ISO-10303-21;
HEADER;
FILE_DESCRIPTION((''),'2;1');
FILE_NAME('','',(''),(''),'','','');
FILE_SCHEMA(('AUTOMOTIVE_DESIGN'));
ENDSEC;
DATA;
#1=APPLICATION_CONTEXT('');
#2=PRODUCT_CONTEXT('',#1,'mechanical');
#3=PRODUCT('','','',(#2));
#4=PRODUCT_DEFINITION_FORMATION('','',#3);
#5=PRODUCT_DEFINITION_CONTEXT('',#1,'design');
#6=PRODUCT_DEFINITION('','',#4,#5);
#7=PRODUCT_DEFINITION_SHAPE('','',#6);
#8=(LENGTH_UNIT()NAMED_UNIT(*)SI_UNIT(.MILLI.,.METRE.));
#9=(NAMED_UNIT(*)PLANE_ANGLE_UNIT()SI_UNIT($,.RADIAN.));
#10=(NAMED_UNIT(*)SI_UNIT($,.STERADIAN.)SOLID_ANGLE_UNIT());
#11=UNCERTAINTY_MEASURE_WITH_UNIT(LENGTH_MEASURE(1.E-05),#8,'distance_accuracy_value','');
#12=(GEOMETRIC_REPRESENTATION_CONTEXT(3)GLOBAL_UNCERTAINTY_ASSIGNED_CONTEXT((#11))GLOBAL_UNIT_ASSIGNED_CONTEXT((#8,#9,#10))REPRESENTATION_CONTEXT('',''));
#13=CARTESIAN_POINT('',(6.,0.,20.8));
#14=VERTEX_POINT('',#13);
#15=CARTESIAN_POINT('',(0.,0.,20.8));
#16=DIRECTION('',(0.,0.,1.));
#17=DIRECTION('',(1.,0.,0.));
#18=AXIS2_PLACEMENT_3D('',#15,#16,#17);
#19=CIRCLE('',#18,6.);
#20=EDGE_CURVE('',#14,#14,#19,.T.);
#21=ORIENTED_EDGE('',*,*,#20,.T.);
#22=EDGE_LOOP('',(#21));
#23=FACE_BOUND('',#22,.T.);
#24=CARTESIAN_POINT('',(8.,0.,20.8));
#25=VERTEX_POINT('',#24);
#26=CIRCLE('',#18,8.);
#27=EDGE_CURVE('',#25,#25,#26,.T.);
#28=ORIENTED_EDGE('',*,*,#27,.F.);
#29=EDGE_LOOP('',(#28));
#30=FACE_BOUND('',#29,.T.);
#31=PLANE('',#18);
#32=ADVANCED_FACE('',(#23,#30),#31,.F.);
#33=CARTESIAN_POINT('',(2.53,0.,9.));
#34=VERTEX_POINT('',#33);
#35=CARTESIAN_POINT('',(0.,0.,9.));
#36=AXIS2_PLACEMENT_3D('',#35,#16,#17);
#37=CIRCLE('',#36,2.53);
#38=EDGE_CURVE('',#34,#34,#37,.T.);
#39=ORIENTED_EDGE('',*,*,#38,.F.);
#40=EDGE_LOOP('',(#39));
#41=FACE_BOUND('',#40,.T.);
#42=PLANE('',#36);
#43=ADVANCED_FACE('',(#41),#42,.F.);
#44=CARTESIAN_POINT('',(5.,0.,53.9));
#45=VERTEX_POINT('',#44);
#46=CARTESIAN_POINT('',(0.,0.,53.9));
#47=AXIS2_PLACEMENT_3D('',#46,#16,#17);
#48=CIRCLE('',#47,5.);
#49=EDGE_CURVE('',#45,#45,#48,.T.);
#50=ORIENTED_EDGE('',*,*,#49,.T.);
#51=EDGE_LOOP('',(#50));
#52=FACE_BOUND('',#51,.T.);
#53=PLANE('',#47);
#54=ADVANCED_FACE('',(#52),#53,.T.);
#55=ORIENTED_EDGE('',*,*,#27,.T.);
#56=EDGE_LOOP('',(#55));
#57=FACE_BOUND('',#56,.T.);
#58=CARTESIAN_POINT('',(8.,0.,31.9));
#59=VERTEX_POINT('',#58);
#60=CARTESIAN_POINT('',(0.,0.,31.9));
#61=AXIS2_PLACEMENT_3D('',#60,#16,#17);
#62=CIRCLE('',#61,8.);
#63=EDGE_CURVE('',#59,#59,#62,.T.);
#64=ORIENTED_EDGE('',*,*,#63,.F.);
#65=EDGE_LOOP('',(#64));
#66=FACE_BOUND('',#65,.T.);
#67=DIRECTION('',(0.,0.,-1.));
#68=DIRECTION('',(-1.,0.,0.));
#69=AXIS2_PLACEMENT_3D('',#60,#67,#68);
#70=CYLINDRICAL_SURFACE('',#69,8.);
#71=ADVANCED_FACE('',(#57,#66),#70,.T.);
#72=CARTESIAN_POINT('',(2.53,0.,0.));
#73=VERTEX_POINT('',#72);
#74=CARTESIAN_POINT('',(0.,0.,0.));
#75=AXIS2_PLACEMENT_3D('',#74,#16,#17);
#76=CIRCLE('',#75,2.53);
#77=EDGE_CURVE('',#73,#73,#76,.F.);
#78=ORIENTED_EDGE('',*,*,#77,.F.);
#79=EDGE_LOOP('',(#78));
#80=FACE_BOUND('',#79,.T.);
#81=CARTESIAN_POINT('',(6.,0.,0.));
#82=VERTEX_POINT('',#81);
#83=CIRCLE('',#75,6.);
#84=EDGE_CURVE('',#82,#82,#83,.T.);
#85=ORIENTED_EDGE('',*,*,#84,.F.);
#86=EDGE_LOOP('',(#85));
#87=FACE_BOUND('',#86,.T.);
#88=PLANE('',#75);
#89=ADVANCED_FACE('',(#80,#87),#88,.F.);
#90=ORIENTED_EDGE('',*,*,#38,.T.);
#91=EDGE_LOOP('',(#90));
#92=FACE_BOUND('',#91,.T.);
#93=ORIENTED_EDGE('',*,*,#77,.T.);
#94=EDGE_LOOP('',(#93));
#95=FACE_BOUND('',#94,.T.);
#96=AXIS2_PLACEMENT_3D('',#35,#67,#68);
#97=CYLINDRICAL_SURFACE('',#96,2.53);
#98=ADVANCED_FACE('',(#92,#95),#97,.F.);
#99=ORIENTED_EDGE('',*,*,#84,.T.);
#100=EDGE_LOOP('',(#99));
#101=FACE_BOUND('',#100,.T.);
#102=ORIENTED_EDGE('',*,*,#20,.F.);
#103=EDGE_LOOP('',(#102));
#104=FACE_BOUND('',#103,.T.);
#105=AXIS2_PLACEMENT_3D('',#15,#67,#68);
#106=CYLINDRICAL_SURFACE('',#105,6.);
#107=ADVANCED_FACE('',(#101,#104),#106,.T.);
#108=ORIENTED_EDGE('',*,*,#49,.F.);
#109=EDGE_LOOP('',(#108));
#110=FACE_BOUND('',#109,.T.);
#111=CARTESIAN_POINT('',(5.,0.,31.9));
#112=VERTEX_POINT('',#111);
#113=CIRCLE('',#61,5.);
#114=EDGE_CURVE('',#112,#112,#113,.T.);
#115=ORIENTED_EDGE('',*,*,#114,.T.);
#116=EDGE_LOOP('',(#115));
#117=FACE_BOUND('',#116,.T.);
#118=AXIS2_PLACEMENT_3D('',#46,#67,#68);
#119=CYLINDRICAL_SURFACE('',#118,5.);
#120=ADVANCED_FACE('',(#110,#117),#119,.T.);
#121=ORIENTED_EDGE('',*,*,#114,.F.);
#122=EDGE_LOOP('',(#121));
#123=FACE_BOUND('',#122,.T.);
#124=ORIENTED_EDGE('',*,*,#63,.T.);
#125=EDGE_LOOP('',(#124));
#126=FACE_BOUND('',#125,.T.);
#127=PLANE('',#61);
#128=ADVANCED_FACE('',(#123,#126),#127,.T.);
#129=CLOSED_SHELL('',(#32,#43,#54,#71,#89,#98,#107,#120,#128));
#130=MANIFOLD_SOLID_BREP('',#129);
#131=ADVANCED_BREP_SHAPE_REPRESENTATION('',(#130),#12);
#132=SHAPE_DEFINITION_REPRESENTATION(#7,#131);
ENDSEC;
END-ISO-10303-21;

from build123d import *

# Parameters (mm, degrees)
S01_12_MM_BEARING_JOURNAL_R                  = 6
F_01_12_MM_BEARING_JOURNAL_DEPTH             = 20.8
F_02_START                                   = 20.8
S02_GROUNDED_JOURNAL_SHOULDER_R              = 8
F_02_GROUNDED_JOURNAL_SHOULDER_DEPTH         = 11.1
F_03_START                                   = 31.9
S03_M10_THREADED_BRIDGE_STEM_R               = 5
F_03_M10_THREADED_BRIDGE_STEM_DEPTH          = 22
F_04_START                                   = -0.1
S04_M5_TAPPED_END_NOMINAL_THREAD_ENV_R       = 2.53
F_04_M5_TAPPED_END_NOMINAL_THREAD_ENVE_DEPTH = 9.1


with BuildPart() as part:
    # S01 - 12 mm bearing journal → 01 - 12 mm bearing journal (new body)
    with BuildSketch(Plane.XY):
        Circle(S01_12_MM_BEARING_JOURNAL_R)
    extrude(amount=F_01_12_MM_BEARING_JOURNAL_DEPTH)

    # S02 - Grounded journal shoulder → 02 - Grounded journal shoulder (add)
    with BuildSketch(Plane.XY.offset(F_02_START)):
        Circle(S02_GROUNDED_JOURNAL_SHOULDER_R)
    extrude(amount=F_02_GROUNDED_JOURNAL_SHOULDER_DEPTH)

    # S03 - M10 threaded bridge stem → 03 - M10 threaded bridge stem (add)
    with BuildSketch(Plane.XY.offset(F_03_START)):
        Circle(S03_M10_THREADED_BRIDGE_STEM_R)
    extrude(amount=F_03_M10_THREADED_BRIDGE_STEM_DEPTH)

    # S04 - M5 tapped end - nominal thread envelope → 04 - M5 tapped end - nominal thread envelope (cut)
    with BuildSketch(Plane.XY.offset(F_04_START)):
        Circle(S04_M5_TAPPED_END_NOMINAL_THREAD_ENV_R)
    extrude(amount=F_04_M5_TAPPED_END_NOMINAL_THREAD_ENVE_DEPTH, mode=Mode.SUBTRACT)


solid = part.part
